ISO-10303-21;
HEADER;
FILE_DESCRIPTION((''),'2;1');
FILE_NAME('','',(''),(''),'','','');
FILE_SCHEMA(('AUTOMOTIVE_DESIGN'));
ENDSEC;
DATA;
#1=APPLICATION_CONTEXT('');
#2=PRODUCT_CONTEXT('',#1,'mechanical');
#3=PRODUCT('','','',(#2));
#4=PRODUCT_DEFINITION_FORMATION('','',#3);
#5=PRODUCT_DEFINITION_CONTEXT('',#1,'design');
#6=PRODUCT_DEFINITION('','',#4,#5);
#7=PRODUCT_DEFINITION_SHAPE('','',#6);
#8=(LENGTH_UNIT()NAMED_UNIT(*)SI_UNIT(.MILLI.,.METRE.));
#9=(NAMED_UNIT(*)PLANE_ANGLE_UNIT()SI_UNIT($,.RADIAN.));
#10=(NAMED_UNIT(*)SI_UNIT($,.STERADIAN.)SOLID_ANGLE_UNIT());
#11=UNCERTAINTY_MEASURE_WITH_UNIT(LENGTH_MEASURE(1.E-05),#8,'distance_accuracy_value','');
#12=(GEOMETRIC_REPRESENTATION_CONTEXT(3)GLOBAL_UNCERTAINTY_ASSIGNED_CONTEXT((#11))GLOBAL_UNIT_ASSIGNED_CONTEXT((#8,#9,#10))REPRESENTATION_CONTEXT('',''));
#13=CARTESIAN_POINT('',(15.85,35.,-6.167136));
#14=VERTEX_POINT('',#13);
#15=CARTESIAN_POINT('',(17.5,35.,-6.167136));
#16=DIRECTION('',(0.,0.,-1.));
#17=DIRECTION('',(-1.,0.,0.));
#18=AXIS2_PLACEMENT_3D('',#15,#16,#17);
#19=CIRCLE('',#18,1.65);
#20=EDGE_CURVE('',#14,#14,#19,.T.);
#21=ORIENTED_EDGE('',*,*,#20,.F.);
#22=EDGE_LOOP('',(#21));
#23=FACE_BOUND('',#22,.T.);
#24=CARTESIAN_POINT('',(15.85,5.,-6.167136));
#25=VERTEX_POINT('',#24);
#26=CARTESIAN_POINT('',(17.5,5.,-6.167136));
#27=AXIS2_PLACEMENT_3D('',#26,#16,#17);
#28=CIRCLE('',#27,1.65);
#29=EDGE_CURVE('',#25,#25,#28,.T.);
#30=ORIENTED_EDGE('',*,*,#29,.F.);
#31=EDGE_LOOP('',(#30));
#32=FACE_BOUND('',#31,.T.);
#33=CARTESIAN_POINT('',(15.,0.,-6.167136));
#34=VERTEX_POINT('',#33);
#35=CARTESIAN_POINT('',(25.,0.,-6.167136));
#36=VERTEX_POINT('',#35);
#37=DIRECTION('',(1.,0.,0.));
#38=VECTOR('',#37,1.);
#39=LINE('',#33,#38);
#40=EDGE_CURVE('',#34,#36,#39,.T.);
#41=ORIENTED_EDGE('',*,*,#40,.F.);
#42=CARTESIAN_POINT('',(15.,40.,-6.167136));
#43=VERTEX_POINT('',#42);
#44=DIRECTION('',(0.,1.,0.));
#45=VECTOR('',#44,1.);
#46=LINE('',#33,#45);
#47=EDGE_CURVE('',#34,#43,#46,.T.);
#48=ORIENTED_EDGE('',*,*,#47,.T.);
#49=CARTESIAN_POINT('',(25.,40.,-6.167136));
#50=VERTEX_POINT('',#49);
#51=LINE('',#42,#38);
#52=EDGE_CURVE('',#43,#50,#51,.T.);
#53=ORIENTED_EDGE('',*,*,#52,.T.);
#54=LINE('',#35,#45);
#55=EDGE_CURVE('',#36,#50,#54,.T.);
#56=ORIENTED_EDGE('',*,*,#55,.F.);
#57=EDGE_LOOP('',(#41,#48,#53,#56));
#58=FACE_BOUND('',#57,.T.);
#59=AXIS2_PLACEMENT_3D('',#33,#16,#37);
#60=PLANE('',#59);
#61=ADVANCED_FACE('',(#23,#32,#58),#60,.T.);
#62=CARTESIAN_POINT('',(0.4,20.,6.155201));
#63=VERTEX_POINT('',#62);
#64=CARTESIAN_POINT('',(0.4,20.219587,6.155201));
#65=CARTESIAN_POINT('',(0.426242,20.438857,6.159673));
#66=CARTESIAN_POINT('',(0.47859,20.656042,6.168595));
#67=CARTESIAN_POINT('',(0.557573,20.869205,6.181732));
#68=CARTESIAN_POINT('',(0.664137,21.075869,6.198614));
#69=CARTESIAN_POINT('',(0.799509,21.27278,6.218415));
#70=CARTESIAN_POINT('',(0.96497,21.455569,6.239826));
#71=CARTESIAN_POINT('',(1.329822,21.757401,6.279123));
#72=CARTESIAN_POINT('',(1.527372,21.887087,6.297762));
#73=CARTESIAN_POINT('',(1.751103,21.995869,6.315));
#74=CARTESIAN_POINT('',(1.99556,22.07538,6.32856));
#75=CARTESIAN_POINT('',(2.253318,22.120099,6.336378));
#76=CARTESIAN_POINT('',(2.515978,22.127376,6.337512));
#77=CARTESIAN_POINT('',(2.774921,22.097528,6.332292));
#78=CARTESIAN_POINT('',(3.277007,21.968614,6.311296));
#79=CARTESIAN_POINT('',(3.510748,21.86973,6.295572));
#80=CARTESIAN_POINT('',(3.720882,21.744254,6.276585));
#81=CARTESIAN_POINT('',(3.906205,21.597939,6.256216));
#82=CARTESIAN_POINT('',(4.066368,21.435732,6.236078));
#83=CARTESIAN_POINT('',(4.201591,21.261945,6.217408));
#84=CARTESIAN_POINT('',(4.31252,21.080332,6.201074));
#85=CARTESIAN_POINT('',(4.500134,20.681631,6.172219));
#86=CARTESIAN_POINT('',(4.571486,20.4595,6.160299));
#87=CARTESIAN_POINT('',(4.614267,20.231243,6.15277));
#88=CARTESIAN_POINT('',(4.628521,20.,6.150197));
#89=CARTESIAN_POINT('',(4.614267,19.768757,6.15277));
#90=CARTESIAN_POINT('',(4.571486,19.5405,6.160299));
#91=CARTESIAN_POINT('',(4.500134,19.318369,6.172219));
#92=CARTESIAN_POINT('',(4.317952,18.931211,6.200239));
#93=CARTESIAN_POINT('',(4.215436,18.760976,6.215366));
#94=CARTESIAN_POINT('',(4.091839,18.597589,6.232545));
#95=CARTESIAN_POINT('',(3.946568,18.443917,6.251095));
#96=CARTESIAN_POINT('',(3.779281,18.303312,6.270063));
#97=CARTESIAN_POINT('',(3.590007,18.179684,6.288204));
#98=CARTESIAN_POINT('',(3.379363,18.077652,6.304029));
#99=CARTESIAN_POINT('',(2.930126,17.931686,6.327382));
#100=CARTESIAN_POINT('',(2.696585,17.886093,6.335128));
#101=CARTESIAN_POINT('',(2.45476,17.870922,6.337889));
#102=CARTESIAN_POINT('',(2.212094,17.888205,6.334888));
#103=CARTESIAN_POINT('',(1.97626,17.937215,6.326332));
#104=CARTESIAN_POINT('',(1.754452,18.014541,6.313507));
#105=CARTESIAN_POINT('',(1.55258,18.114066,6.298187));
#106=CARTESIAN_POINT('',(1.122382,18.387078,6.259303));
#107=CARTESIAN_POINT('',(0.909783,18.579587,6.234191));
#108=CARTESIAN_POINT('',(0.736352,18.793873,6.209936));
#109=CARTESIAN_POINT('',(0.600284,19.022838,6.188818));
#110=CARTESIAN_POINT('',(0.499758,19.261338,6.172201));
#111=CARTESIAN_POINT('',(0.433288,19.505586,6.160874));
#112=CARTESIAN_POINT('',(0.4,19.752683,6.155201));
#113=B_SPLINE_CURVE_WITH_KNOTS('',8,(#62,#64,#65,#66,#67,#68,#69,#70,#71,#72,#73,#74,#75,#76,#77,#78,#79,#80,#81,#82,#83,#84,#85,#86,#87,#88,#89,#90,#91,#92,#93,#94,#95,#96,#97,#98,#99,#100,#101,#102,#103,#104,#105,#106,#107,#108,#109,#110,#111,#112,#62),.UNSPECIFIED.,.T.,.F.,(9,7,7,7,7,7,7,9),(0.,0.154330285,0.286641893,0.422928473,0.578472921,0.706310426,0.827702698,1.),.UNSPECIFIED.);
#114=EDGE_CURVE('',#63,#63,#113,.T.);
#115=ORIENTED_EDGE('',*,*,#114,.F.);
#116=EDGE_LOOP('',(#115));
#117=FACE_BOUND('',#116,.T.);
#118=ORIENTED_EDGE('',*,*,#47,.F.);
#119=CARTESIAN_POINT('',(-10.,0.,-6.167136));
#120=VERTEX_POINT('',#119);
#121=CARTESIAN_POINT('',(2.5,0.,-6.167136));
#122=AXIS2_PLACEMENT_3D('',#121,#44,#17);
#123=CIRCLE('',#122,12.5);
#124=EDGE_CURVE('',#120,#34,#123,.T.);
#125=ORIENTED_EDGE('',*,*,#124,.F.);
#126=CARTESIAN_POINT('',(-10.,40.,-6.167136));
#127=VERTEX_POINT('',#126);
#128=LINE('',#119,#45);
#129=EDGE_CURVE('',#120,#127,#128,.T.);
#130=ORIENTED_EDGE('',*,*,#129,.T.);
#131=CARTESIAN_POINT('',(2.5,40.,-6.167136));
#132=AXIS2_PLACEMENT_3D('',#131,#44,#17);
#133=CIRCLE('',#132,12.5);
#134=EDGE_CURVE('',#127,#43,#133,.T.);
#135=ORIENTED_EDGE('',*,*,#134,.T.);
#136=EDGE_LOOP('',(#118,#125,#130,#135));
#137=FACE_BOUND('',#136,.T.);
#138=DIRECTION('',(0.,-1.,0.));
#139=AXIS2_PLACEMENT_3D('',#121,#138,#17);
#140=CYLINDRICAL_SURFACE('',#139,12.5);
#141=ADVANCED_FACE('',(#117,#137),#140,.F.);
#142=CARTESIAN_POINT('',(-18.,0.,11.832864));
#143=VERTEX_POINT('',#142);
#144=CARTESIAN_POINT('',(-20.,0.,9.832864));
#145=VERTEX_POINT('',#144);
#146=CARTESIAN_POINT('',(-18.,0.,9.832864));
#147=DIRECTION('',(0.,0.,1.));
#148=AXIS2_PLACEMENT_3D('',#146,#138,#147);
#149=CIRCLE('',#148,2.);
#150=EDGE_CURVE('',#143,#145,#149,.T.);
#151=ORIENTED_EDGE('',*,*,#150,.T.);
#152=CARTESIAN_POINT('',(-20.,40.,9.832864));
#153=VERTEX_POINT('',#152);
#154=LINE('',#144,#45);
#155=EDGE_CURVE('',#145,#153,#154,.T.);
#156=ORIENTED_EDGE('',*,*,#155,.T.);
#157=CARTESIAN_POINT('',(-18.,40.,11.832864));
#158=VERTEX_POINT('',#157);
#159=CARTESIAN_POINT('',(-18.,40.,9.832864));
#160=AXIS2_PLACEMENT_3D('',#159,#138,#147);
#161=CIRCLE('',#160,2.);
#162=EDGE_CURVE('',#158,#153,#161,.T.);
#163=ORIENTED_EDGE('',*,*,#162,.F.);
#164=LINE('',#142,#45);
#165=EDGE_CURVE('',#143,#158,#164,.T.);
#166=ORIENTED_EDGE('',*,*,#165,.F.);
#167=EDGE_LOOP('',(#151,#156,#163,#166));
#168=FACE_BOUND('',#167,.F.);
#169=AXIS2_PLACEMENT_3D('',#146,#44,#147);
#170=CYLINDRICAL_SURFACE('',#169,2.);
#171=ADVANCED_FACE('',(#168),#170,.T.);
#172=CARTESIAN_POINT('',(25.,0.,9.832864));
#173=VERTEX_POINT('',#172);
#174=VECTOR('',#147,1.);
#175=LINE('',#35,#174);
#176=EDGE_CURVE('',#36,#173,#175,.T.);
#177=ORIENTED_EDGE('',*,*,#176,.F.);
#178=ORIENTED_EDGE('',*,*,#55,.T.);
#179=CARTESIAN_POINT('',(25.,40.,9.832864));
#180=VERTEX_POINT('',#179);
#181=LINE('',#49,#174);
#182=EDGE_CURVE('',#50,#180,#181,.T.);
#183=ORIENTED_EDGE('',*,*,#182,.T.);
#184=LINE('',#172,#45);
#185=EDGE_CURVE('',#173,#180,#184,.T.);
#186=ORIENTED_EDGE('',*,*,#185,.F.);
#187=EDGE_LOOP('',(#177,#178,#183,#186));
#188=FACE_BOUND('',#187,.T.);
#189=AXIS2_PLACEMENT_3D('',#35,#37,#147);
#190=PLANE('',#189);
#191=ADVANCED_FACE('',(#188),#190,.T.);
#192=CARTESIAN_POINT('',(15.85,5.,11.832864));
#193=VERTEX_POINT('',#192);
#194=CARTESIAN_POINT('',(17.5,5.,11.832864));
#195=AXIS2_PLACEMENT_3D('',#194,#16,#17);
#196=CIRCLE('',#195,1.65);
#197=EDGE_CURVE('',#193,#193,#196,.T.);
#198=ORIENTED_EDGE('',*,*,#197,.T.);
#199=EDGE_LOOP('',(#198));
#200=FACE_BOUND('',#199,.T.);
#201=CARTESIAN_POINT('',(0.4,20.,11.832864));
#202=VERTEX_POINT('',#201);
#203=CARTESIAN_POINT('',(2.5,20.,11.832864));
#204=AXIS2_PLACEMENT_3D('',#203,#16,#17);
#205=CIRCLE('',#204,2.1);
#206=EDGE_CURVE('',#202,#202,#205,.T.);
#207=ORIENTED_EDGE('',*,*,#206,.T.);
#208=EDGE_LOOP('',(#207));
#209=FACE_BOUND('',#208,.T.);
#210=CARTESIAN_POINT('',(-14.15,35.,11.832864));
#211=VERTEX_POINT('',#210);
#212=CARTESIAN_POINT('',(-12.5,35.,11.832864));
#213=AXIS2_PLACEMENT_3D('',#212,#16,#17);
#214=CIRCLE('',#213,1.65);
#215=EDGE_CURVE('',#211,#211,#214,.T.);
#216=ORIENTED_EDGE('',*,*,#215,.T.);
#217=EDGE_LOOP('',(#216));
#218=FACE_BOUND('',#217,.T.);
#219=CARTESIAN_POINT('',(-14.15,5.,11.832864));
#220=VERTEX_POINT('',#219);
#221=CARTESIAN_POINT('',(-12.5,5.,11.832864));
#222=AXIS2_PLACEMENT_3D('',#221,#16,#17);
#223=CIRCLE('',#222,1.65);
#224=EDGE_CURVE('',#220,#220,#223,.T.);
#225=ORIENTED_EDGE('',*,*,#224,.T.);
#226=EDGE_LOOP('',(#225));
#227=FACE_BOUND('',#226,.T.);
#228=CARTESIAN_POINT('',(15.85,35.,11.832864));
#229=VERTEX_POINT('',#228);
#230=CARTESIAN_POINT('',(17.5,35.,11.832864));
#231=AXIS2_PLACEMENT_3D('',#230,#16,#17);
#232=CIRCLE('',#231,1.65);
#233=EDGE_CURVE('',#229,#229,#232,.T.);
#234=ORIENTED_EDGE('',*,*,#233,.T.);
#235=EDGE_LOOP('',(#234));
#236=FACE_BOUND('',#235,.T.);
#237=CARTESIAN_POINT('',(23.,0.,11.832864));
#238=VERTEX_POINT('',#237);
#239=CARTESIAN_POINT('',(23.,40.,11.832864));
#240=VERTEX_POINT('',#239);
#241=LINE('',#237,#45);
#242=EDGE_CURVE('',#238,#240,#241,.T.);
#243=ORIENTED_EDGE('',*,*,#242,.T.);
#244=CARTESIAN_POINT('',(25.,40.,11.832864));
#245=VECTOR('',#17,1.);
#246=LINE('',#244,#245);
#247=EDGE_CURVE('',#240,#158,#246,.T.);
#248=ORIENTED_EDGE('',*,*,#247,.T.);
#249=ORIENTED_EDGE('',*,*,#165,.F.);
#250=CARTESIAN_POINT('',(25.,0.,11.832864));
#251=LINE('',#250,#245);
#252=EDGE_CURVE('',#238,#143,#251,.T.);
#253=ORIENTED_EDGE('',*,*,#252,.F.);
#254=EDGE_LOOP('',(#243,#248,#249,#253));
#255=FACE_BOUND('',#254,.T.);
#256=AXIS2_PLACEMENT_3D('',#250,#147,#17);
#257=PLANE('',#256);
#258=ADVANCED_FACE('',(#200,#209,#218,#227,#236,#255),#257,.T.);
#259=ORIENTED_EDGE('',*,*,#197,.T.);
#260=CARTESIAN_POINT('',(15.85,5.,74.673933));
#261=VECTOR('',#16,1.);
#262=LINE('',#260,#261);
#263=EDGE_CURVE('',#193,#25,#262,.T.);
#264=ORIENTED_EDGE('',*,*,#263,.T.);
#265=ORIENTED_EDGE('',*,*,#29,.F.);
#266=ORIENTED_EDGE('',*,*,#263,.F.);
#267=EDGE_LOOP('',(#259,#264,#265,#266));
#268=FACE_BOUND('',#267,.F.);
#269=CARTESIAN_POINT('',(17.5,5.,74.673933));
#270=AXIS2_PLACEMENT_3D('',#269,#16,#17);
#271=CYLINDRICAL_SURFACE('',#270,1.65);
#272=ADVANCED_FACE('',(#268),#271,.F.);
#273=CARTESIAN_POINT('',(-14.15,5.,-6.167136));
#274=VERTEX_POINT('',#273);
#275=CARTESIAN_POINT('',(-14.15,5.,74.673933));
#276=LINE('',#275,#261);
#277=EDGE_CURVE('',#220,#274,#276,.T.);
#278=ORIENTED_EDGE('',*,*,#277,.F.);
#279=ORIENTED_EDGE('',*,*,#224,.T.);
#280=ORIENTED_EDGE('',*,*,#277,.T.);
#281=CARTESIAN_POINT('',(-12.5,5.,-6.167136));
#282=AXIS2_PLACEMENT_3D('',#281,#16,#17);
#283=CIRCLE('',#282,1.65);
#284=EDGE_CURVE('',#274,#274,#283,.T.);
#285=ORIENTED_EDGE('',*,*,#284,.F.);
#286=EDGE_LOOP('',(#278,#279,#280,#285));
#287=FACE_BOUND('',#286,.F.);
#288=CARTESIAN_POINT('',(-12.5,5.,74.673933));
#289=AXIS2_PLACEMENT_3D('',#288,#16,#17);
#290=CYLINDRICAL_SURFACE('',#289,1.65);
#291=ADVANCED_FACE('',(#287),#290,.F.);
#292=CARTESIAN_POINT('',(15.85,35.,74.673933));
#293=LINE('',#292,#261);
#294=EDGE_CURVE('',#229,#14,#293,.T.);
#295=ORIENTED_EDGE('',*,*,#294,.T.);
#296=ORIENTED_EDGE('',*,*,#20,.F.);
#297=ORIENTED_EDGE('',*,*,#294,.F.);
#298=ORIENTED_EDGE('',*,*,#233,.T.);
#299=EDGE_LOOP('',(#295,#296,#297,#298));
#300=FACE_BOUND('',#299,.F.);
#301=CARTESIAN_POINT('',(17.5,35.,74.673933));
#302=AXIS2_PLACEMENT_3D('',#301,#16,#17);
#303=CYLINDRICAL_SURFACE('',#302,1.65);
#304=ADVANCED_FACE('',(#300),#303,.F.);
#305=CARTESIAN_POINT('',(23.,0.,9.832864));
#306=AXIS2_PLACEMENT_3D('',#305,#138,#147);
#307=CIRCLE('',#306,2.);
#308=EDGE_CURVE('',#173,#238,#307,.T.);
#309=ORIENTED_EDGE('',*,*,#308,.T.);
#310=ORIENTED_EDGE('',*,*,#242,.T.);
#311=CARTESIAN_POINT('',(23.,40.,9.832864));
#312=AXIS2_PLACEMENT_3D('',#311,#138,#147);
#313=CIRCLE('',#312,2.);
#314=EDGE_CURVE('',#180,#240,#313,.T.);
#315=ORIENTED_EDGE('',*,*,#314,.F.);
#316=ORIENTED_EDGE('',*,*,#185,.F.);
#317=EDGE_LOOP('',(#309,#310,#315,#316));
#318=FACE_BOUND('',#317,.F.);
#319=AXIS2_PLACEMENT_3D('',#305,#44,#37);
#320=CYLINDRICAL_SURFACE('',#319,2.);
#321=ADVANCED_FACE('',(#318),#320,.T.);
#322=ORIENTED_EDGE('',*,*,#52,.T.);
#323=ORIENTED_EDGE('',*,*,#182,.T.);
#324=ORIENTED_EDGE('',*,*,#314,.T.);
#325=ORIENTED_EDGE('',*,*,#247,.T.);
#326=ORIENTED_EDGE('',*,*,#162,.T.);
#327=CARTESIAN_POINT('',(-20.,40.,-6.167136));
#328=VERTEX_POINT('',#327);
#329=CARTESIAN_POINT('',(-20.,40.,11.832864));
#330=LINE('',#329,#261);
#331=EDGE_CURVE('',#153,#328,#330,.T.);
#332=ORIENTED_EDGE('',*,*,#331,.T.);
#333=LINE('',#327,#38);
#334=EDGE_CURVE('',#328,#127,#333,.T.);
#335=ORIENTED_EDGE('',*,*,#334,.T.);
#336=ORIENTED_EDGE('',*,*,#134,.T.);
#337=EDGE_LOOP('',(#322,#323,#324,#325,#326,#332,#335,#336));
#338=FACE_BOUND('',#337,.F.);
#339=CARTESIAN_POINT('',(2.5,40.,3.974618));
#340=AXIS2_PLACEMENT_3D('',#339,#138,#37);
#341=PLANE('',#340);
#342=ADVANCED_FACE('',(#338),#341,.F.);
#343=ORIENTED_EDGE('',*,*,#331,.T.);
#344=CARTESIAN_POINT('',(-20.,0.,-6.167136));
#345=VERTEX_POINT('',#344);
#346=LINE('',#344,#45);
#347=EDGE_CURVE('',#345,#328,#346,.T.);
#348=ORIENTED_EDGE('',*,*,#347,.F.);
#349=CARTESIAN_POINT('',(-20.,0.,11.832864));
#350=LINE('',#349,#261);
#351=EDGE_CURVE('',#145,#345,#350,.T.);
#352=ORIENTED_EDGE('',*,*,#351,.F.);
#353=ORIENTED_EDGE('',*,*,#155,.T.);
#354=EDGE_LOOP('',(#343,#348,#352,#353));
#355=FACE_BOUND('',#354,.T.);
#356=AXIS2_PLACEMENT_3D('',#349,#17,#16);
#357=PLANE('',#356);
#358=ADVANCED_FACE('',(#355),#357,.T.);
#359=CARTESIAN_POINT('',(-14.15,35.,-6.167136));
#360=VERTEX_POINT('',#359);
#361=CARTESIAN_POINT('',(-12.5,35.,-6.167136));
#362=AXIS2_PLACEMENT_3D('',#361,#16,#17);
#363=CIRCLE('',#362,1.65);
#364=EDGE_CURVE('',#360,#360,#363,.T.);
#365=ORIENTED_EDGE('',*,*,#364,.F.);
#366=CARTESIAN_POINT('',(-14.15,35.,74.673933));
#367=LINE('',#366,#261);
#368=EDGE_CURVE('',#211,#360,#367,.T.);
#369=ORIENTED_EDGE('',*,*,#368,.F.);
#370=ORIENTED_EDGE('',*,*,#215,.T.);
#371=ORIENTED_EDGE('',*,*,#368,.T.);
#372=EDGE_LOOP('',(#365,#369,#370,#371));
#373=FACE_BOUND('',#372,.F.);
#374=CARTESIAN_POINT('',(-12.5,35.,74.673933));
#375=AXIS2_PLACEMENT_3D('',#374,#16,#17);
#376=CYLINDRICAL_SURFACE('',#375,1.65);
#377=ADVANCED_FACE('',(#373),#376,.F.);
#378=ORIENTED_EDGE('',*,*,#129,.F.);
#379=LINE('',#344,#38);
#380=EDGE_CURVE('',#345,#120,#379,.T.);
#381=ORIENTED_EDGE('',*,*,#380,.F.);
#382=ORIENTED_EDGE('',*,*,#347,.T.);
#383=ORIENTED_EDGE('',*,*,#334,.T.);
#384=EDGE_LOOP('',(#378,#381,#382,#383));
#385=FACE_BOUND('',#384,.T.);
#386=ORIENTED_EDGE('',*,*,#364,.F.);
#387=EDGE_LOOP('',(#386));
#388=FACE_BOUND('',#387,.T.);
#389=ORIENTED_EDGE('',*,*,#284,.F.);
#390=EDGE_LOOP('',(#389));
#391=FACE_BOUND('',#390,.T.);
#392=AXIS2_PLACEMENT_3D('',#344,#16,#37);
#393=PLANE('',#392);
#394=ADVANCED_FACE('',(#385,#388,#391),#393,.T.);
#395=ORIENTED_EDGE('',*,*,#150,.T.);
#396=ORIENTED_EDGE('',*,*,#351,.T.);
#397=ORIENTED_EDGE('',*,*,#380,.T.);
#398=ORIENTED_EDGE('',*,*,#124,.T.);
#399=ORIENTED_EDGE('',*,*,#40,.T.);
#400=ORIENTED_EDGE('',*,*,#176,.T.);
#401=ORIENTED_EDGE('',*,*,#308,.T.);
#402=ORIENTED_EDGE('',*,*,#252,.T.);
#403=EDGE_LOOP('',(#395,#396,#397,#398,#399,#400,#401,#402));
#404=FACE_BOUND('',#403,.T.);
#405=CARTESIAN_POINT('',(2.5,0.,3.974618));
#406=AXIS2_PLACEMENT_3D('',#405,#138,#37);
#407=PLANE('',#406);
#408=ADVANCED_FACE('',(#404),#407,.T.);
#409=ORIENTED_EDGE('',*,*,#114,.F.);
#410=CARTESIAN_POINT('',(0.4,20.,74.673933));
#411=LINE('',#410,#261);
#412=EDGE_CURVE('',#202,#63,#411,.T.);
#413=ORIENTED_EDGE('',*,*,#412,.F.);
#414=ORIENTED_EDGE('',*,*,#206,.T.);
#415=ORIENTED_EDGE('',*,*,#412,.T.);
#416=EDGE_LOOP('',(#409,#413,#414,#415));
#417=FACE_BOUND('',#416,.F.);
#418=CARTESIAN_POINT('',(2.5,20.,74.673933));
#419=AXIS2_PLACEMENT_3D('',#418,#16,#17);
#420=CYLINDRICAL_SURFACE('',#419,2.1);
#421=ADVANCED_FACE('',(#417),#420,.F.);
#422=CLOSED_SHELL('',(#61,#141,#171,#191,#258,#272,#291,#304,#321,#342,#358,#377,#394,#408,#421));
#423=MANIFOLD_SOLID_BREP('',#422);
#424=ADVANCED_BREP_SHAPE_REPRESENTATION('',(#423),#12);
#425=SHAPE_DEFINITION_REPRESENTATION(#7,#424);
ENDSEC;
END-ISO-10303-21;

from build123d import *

# Parameters (mm, degrees)
F1_DEPTH = 40
F3_D     = 3.3
F5_D     = 4.2
F6_R     = 2
F9_DEPTH = 3


with BuildPart() as f1:
    # F0 (on Front) → F1 (new body)
    with BuildSketch(Plane.XZ):
        with BuildLine():
            Line((15, -6.1671362493), (25, -6.1671362493))
            Line((25, -6.1671362493), (25, 11.8328637507))
            Line((25, 11.8328637507), (-20, 11.8328637507))
            Line((-20, 11.8328637507), (-20, -6.1671362493))
            Line((-20, -6.1671362493), (-10, -6.1671362493))
            ThreePointArc((-10, -6.1671362493), (2.5, 6.3328637507), (15, -6.1671362493))
        make_face()
    extrude(amount=-F1_DEPTH)

    # F3 (through all)
    with Locations(Plane.XY.offset(11.8328637507)):
        with Locations((-12.5, 5), (-12.5, 35), (17.5, 35), (17.5, 5)):
            Hole(F3_D / 2)

    # F5 (through all)
    with Locations(Plane.XY.offset(11.8328637507)):
        with Locations((2.5, 20)):
            Hole(F5_D / 2)

    # F6
    f6_edges = [f1.edges().sort_by_distance(p)[0] for p in [
        (-20, 20, 11.832864),
        (25, 20, 11.832864),
    ]]
    fillet(f6_edges, radius=F6_R)


with BuildPart() as f9:
    # F8 (on Top) → F9 (new body)
    with BuildSketch(Plane.XY):
        Polygon((57.5, 170.0064360575), (30, 217.6378332657), (-30, 217.6378332657), (-57.5, 170.0064360575), (-57.5, 30.0064360575), (-40, -0.3044530749), (40, -0.3044530749), (57.5, 30.0064360575), align=None)
    extrude(amount=F9_DEPTH)


solid = f1.part
